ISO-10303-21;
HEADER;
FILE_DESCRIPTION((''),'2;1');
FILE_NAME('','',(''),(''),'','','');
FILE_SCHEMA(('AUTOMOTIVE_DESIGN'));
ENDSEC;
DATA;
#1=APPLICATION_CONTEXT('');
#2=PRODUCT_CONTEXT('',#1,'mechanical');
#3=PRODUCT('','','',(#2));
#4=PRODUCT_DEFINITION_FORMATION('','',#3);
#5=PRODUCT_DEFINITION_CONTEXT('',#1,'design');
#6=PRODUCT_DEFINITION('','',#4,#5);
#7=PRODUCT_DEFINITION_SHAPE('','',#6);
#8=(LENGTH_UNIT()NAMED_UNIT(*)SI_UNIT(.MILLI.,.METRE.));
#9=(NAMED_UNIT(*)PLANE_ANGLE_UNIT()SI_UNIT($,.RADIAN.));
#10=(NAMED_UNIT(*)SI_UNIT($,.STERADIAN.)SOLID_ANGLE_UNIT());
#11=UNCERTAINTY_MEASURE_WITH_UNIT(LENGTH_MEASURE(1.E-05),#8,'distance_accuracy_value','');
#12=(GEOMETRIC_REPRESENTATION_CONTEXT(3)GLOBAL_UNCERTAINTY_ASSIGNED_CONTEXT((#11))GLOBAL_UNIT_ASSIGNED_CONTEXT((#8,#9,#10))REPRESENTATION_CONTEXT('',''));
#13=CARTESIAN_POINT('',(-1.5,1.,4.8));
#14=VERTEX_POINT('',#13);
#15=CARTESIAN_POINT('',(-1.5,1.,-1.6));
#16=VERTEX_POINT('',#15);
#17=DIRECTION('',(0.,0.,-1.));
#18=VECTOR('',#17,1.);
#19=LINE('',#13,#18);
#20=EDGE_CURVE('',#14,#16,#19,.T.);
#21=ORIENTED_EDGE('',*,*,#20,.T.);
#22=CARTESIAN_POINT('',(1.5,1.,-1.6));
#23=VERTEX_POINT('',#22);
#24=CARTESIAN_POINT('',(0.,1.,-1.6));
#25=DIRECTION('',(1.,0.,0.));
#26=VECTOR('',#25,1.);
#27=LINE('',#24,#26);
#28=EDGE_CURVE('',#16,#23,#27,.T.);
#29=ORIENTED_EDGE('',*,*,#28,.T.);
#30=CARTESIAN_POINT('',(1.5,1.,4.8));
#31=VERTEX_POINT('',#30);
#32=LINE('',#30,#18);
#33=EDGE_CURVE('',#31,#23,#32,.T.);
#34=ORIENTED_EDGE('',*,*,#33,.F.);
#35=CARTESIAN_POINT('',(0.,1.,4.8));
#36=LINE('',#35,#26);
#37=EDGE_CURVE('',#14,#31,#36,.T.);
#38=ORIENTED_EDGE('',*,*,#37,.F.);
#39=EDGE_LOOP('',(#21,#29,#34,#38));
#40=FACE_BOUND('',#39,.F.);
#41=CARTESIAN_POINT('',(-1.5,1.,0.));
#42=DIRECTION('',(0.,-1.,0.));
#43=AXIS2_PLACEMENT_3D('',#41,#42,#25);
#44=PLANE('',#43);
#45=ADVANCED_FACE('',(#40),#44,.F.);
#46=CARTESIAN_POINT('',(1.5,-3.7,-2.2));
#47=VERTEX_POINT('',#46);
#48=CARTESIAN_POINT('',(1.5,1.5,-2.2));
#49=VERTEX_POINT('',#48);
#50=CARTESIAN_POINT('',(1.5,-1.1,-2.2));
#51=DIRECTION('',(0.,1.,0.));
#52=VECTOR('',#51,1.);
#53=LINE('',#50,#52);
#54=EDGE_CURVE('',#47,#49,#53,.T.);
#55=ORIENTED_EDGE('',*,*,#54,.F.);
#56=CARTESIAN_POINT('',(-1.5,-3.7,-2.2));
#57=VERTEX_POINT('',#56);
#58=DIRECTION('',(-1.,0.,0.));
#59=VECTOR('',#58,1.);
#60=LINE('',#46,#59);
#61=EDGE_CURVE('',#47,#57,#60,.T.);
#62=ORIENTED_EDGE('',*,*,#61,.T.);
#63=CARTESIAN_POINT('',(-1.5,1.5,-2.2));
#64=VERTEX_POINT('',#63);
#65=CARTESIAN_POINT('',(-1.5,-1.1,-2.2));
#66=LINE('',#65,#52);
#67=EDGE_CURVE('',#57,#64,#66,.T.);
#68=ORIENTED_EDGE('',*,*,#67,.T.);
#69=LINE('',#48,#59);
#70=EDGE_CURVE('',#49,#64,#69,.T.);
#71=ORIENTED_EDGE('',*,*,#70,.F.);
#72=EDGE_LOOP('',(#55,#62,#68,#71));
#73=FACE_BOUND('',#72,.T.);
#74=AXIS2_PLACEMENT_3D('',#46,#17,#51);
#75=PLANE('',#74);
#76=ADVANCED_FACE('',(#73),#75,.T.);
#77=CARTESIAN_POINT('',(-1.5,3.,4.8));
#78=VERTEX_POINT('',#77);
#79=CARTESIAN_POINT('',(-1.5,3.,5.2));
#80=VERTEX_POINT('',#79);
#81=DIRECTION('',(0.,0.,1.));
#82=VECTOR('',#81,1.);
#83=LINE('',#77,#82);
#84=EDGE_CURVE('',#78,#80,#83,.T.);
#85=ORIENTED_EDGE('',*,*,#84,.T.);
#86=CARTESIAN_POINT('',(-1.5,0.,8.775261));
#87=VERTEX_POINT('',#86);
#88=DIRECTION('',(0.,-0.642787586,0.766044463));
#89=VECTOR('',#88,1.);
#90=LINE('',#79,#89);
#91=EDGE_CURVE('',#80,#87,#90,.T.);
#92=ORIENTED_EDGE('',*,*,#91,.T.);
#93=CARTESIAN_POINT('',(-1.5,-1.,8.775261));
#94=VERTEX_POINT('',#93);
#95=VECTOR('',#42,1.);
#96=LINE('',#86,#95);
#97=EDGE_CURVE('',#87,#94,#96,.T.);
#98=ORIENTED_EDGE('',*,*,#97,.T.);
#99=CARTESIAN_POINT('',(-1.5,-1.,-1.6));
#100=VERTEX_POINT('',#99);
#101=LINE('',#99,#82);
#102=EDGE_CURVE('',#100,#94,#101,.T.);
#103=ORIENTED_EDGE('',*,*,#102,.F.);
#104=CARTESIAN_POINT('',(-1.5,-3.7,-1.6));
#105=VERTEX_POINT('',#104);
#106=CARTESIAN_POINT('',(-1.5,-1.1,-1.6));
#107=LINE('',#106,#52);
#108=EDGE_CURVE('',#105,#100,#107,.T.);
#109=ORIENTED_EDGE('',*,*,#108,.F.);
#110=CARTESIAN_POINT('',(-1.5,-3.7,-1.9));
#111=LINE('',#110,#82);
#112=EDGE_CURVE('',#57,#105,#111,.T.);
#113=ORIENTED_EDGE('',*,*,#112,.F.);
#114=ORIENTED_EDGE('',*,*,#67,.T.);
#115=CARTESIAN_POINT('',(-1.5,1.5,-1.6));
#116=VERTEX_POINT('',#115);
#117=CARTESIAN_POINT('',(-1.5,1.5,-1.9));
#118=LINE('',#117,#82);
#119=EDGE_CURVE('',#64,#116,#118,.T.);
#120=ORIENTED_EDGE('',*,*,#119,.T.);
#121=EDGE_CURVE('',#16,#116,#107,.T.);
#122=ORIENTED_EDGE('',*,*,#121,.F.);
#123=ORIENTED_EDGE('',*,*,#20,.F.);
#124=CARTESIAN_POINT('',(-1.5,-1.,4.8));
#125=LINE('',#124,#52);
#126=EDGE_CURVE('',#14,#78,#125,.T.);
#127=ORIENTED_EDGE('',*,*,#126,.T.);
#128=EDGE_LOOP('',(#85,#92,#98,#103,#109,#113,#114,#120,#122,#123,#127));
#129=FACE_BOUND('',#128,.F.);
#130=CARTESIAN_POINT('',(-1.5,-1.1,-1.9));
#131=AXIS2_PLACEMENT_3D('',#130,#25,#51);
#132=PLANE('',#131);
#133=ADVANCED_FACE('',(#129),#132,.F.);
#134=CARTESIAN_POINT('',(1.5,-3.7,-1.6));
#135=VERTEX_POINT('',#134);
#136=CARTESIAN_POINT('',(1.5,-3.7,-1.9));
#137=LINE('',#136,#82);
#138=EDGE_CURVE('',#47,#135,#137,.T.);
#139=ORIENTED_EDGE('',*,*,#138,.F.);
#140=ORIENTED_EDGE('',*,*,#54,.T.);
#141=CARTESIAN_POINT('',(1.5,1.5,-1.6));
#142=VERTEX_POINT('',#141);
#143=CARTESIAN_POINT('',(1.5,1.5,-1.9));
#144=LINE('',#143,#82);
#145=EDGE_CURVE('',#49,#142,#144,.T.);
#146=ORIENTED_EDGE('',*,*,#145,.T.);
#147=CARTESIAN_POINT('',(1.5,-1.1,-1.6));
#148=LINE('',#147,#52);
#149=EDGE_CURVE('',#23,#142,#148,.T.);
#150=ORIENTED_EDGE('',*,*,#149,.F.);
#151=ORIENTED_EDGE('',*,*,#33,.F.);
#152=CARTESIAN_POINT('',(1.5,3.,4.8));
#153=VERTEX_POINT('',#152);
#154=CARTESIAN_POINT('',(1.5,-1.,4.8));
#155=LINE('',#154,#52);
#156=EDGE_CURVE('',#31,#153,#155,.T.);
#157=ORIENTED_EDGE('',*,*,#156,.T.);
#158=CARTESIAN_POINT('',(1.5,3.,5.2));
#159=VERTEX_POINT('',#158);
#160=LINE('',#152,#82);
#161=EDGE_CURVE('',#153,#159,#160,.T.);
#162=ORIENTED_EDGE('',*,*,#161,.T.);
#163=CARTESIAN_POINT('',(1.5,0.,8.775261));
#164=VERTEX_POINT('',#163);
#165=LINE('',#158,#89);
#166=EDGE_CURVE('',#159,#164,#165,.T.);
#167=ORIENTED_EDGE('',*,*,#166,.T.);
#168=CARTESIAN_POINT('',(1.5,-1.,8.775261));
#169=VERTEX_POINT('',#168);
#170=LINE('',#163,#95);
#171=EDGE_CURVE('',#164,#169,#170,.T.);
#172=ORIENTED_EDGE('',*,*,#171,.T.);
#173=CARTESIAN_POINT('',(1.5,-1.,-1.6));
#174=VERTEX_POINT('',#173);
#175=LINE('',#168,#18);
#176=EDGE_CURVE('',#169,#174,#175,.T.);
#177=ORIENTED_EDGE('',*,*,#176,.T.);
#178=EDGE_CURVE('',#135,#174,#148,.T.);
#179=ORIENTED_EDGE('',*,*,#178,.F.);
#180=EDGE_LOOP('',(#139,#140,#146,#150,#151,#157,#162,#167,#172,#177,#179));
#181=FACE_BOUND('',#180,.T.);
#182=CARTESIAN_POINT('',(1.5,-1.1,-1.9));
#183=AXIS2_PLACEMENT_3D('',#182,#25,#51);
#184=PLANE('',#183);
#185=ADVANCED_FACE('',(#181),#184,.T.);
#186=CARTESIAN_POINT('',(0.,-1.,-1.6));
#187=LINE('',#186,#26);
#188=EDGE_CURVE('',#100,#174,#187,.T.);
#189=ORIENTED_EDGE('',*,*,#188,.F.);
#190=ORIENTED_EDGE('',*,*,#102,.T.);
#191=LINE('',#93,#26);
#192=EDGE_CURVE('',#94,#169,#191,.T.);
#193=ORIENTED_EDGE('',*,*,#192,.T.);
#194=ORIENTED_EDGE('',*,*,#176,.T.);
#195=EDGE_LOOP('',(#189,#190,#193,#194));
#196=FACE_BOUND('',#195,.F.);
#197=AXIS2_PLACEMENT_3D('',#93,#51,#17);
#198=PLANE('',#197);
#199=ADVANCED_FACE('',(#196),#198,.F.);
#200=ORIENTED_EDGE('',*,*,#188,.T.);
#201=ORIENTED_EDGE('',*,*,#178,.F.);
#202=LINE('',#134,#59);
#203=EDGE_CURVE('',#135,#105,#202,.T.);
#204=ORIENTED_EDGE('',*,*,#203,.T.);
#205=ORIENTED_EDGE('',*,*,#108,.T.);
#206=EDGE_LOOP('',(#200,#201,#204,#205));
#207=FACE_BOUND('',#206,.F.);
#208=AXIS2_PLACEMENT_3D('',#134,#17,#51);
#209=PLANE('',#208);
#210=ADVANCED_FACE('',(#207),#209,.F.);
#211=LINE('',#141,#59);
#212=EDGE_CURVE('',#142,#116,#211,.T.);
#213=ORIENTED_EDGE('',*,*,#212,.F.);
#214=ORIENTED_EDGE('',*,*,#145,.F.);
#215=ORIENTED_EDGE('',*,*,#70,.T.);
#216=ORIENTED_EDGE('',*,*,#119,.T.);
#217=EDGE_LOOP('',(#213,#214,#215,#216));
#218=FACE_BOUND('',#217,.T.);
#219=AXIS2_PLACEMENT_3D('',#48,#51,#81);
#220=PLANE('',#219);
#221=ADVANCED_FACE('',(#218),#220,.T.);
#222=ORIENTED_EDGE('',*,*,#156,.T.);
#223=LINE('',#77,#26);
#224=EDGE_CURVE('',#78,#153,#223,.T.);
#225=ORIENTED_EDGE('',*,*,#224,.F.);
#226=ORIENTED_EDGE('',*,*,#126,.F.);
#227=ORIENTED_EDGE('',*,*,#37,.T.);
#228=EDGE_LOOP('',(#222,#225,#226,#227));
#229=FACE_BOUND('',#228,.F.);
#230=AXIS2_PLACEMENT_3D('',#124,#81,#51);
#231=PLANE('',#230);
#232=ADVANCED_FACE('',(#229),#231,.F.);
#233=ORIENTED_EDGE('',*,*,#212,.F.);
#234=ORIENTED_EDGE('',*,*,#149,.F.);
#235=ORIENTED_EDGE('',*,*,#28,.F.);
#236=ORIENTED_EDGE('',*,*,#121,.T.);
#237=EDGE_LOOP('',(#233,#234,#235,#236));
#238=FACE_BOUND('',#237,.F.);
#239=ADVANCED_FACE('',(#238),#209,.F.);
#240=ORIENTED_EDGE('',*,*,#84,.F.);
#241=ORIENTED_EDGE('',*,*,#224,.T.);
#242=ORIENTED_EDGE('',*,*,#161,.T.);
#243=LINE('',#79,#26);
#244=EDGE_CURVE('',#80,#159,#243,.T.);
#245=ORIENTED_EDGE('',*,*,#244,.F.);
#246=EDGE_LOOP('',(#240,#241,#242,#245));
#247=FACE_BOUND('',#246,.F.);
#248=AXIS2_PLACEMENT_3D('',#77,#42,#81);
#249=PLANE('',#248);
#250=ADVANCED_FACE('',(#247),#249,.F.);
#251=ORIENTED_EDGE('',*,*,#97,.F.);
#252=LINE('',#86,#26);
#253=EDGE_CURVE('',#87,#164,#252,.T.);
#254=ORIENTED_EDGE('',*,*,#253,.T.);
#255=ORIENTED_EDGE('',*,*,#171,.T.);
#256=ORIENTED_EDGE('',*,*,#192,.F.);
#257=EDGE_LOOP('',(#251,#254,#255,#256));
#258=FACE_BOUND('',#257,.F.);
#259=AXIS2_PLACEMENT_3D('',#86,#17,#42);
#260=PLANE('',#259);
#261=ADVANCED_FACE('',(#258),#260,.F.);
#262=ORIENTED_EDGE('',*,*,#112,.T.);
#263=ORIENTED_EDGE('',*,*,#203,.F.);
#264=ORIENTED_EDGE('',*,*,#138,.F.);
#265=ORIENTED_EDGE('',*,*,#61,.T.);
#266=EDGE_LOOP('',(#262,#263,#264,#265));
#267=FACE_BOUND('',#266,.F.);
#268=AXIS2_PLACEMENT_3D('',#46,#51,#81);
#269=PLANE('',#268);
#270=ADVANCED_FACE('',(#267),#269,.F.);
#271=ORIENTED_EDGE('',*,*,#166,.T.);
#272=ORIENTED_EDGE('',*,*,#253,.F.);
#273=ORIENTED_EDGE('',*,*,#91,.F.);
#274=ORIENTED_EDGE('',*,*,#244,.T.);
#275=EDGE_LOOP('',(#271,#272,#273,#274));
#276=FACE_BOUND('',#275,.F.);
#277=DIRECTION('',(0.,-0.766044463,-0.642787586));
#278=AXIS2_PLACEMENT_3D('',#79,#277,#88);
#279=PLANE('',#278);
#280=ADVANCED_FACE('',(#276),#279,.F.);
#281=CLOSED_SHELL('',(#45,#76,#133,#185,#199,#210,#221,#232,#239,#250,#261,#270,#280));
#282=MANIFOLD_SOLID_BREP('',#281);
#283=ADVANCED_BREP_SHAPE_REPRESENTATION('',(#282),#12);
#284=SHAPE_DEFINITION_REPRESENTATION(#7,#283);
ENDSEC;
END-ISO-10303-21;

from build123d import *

# Parameters (mm, degrees)
SKETCH017_W       = 3
SKETCH017_H       = 2
PAD006_DEPTH      = 4.8
PAD006_DEPTH_BACK = 1.6
PAD007_DEPTH      = 3
SKETCH020_W       = 5.2
SKETCH020_H       = 0.6
PAD008_DEPTH      = 3


with BuildPart() as part:
    # Sketch017 → Pad006 (new body, two sides)
    with BuildSketch(Plane.XY) as pad006_sk:
        Rectangle(SKETCH017_W, SKETCH017_H)
    extrude(amount=PAD006_DEPTH)
    extrude(pad006_sk.sketch, amount=-PAD006_DEPTH_BACK)

    # Sketch018 (on Face4 of Pad006) → Pad007 (join)
    with BuildSketch(Plane(origin=(-1.5, 0, 0), x_dir=(0, -1, 0), z_dir=(-1, 0, 0))):
        Polygon((1, 4.8), (-3, 4.8), (-3, 5.2), (0, 8.775261), (1, 8.775261), align=None)
    extrude(amount=-PAD007_DEPTH)

    # Sketch020 (on Face9 of Pad007) → Pad008 (join)
    with BuildSketch(Plane.YZ.offset(1.5)):
        with Locations((-1.1, -1.9)):
            Rectangle(SKETCH020_W, SKETCH020_H)
    extrude(amount=-PAD008_DEPTH)


solid = part.part
